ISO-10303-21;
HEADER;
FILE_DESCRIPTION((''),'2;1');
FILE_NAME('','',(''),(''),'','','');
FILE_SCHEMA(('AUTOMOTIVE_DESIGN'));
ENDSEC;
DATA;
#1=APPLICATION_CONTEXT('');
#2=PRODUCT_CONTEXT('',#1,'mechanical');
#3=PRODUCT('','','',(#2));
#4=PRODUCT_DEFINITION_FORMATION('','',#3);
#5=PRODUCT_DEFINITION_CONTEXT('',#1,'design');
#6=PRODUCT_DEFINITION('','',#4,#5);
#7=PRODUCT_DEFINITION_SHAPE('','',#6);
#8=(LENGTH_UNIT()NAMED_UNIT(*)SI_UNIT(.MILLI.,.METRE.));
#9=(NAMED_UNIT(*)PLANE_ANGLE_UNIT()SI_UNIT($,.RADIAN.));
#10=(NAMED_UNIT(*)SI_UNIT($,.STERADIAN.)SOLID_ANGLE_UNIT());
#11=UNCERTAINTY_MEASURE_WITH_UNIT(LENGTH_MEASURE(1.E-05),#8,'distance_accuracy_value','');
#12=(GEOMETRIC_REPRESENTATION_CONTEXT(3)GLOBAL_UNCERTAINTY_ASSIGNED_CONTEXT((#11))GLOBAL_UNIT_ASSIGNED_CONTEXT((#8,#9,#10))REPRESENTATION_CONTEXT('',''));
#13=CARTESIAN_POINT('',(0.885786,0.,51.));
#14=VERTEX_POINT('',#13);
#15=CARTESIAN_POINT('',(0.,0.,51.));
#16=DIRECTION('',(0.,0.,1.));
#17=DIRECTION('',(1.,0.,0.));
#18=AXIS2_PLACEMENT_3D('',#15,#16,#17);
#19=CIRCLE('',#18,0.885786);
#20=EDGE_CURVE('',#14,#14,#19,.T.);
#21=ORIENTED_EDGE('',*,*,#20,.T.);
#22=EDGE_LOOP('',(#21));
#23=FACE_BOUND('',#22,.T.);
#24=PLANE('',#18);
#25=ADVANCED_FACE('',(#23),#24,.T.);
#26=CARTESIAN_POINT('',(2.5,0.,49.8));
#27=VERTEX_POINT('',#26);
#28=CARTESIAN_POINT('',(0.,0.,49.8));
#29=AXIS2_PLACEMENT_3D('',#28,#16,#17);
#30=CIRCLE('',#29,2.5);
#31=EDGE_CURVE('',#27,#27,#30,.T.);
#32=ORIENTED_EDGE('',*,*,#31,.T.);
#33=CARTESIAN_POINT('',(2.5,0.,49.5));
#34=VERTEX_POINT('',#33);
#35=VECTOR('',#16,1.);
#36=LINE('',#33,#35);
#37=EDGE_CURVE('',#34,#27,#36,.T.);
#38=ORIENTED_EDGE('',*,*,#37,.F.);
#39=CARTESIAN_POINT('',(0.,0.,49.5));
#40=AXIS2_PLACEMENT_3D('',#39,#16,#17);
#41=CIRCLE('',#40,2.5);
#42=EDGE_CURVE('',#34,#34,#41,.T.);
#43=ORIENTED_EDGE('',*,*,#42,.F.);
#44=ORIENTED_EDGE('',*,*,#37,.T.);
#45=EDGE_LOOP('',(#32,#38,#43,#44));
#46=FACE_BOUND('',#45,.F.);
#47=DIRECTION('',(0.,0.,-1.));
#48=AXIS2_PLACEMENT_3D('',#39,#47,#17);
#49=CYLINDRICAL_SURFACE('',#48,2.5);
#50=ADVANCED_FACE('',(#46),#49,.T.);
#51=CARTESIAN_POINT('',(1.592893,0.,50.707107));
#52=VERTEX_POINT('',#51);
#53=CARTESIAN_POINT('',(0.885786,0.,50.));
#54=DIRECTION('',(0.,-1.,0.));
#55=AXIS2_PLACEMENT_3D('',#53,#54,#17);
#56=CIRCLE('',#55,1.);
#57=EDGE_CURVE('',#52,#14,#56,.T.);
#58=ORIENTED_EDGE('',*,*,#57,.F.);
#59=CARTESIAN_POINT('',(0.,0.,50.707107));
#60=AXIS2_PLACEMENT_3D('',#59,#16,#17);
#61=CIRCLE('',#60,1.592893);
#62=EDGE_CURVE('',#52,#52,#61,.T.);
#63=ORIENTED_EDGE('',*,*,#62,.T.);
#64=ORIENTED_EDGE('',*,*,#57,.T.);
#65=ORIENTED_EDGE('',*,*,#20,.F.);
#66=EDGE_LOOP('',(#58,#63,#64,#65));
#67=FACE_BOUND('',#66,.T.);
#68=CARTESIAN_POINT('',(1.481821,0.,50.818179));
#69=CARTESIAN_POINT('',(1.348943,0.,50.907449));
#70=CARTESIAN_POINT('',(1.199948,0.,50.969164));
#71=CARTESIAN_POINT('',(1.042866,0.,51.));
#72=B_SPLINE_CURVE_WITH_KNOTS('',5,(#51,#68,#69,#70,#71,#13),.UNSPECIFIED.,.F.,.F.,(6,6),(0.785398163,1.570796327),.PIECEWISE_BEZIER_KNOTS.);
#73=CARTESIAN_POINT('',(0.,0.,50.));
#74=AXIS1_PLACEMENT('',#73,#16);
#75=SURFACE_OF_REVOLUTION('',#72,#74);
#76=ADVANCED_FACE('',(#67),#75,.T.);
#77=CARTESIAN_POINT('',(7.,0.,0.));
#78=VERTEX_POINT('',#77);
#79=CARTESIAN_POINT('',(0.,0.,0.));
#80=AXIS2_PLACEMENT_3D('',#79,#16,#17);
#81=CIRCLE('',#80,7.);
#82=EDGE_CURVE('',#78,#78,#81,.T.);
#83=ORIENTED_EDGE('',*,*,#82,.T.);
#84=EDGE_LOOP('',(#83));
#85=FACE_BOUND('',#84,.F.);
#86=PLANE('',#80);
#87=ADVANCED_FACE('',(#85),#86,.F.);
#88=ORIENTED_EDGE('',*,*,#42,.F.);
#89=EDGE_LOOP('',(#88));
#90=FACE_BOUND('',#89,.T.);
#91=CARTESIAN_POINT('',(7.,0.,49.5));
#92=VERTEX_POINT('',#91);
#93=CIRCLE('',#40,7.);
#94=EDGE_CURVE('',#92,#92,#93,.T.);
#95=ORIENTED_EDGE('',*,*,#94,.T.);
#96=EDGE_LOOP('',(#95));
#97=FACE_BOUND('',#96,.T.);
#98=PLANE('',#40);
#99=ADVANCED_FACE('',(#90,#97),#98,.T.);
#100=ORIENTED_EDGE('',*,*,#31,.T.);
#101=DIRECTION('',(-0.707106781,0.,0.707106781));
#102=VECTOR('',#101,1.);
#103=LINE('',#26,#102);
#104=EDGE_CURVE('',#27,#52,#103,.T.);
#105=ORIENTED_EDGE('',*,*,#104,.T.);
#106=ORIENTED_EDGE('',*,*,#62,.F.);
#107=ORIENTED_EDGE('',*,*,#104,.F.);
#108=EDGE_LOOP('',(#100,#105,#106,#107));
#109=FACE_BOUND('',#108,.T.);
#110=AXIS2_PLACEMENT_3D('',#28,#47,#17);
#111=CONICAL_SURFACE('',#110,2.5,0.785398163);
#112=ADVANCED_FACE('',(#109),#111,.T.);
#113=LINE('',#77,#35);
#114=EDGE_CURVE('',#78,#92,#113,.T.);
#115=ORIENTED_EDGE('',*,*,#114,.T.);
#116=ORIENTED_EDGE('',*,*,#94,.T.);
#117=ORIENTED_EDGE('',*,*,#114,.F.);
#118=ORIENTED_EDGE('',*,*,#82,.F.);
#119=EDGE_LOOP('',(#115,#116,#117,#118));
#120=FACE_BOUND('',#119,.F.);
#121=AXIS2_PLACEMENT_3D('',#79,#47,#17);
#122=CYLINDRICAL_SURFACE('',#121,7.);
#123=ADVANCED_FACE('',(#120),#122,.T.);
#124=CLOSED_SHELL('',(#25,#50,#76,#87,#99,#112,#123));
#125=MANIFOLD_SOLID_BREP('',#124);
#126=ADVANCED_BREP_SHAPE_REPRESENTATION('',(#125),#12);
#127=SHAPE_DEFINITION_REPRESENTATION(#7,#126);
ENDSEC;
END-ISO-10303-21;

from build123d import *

# Parameters (mm, degrees)
SKETCH012_R  = 7
PAD007_DEPTH = 49.5
SKETCH011_R  = 2.5
PAD008_DEPTH = 1.5
CHAMFER_SIZE = 1.2
FILLET002_R  = 1


with BuildPart() as part:
    # Sketch012 → Pad007 (new body)
    with BuildSketch(Plane.XY):
        Circle(SKETCH012_R)
    extrude(amount=PAD007_DEPTH)

    # Sketch011 (on Face3 of Pad007) → Pad008 (join)
    with BuildSketch(Plane.XY.offset(49.5)):
        Circle(SKETCH011_R)
    extrude(amount=PAD008_DEPTH)

    # Chamfer
    chamfer_edges = [part.edges().sort_by_distance(p)[0] for p in [
        (-2.5, 0, 51),
    ]]
    chamfer(chamfer_edges, length=CHAMFER_SIZE)

    # Fillet002
    fillet002_edges = [part.edges().sort_by_distance(p)[0] for p in [
        (-1.3, 0, 51),
    ]]
    fillet(fillet002_edges, radius=FILLET002_R)


solid = part.part
